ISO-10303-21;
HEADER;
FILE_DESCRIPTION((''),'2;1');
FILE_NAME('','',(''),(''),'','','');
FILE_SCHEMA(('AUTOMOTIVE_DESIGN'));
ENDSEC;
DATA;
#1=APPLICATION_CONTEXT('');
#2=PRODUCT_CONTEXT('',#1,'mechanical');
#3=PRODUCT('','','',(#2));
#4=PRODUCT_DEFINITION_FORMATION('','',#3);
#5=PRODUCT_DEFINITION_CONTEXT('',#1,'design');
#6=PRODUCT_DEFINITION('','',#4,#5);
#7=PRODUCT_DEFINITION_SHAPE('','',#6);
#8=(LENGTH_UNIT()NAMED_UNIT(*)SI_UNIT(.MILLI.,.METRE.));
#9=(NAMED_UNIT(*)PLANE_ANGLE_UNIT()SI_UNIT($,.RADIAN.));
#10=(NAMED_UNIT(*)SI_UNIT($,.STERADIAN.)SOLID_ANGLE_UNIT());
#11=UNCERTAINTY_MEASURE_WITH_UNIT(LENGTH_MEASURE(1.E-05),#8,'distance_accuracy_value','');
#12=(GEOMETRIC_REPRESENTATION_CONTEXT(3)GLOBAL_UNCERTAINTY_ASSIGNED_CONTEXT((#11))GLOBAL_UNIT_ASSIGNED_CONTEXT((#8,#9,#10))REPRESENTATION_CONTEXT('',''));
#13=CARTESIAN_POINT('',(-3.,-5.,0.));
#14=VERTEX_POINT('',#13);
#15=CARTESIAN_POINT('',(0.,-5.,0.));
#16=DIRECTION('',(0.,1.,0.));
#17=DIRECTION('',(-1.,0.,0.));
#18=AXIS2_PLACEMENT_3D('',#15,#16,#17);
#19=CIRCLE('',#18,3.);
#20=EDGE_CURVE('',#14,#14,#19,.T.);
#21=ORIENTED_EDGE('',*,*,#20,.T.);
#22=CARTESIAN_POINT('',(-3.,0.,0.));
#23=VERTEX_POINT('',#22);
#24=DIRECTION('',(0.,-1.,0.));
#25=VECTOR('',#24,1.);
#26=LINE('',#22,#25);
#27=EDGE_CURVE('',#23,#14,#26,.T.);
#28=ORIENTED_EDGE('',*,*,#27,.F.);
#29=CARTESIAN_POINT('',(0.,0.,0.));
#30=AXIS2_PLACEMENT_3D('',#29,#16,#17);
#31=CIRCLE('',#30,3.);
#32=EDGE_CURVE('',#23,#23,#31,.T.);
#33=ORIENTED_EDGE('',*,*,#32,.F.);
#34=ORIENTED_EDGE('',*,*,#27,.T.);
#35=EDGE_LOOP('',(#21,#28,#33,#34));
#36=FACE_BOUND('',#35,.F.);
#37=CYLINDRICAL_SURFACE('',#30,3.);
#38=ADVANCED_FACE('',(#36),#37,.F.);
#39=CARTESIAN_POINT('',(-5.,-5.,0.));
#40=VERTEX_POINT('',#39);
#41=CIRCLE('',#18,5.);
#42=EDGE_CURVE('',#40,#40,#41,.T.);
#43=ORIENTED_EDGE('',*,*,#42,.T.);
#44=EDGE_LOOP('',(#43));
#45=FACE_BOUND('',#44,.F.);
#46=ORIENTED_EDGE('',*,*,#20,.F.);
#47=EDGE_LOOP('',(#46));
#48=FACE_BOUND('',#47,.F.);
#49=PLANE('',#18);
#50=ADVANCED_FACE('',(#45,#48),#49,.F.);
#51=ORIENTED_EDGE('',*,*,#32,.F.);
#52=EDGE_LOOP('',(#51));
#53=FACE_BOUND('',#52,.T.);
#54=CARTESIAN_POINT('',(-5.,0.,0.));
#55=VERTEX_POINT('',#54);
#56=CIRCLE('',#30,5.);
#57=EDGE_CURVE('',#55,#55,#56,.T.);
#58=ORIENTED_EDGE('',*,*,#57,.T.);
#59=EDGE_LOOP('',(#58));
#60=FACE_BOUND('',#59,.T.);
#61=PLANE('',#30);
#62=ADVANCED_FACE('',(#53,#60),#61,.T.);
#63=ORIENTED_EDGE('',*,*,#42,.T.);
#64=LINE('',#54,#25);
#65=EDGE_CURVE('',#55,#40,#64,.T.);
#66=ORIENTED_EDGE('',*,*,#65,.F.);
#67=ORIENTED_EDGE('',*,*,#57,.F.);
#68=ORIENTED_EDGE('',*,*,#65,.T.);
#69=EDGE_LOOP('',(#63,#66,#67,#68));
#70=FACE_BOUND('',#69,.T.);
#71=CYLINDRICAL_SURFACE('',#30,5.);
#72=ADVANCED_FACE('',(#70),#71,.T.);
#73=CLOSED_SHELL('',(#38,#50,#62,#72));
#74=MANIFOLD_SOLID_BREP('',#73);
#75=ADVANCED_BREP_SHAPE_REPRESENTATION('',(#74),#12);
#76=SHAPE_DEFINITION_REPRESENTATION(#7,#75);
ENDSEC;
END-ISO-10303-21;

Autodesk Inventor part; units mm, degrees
ref_plane "YZ Plane" through (0, 0, 0) normal (1, 0, 0) x (0, 1, 0)
ref_plane "XZ Plane" through (0, 0, 0) normal (0, 1, 0) x (-1, 0, 0)
ref_plane "XY Plane" through (0, 0, 0) normal (0, 0, 1) x (1, 0, 0)
sketch "Sketch1" plane through (0, 0, 0) normal (0, 1, 0) x (-1, 0, 0)
  circle A0 centre (0, 0) radius 5
  circle A1 centre (0, 0) radius 3
  dimension "d0" = 10
  dimension "d1" = 6
extrude "Extrusion1" add sketch "Sketch1" against normal blind 5
thread "Thread4" size "M6x1" class "6H" standard "ANSI Metric M Profile" length 14
properties part number "thread_platform"
